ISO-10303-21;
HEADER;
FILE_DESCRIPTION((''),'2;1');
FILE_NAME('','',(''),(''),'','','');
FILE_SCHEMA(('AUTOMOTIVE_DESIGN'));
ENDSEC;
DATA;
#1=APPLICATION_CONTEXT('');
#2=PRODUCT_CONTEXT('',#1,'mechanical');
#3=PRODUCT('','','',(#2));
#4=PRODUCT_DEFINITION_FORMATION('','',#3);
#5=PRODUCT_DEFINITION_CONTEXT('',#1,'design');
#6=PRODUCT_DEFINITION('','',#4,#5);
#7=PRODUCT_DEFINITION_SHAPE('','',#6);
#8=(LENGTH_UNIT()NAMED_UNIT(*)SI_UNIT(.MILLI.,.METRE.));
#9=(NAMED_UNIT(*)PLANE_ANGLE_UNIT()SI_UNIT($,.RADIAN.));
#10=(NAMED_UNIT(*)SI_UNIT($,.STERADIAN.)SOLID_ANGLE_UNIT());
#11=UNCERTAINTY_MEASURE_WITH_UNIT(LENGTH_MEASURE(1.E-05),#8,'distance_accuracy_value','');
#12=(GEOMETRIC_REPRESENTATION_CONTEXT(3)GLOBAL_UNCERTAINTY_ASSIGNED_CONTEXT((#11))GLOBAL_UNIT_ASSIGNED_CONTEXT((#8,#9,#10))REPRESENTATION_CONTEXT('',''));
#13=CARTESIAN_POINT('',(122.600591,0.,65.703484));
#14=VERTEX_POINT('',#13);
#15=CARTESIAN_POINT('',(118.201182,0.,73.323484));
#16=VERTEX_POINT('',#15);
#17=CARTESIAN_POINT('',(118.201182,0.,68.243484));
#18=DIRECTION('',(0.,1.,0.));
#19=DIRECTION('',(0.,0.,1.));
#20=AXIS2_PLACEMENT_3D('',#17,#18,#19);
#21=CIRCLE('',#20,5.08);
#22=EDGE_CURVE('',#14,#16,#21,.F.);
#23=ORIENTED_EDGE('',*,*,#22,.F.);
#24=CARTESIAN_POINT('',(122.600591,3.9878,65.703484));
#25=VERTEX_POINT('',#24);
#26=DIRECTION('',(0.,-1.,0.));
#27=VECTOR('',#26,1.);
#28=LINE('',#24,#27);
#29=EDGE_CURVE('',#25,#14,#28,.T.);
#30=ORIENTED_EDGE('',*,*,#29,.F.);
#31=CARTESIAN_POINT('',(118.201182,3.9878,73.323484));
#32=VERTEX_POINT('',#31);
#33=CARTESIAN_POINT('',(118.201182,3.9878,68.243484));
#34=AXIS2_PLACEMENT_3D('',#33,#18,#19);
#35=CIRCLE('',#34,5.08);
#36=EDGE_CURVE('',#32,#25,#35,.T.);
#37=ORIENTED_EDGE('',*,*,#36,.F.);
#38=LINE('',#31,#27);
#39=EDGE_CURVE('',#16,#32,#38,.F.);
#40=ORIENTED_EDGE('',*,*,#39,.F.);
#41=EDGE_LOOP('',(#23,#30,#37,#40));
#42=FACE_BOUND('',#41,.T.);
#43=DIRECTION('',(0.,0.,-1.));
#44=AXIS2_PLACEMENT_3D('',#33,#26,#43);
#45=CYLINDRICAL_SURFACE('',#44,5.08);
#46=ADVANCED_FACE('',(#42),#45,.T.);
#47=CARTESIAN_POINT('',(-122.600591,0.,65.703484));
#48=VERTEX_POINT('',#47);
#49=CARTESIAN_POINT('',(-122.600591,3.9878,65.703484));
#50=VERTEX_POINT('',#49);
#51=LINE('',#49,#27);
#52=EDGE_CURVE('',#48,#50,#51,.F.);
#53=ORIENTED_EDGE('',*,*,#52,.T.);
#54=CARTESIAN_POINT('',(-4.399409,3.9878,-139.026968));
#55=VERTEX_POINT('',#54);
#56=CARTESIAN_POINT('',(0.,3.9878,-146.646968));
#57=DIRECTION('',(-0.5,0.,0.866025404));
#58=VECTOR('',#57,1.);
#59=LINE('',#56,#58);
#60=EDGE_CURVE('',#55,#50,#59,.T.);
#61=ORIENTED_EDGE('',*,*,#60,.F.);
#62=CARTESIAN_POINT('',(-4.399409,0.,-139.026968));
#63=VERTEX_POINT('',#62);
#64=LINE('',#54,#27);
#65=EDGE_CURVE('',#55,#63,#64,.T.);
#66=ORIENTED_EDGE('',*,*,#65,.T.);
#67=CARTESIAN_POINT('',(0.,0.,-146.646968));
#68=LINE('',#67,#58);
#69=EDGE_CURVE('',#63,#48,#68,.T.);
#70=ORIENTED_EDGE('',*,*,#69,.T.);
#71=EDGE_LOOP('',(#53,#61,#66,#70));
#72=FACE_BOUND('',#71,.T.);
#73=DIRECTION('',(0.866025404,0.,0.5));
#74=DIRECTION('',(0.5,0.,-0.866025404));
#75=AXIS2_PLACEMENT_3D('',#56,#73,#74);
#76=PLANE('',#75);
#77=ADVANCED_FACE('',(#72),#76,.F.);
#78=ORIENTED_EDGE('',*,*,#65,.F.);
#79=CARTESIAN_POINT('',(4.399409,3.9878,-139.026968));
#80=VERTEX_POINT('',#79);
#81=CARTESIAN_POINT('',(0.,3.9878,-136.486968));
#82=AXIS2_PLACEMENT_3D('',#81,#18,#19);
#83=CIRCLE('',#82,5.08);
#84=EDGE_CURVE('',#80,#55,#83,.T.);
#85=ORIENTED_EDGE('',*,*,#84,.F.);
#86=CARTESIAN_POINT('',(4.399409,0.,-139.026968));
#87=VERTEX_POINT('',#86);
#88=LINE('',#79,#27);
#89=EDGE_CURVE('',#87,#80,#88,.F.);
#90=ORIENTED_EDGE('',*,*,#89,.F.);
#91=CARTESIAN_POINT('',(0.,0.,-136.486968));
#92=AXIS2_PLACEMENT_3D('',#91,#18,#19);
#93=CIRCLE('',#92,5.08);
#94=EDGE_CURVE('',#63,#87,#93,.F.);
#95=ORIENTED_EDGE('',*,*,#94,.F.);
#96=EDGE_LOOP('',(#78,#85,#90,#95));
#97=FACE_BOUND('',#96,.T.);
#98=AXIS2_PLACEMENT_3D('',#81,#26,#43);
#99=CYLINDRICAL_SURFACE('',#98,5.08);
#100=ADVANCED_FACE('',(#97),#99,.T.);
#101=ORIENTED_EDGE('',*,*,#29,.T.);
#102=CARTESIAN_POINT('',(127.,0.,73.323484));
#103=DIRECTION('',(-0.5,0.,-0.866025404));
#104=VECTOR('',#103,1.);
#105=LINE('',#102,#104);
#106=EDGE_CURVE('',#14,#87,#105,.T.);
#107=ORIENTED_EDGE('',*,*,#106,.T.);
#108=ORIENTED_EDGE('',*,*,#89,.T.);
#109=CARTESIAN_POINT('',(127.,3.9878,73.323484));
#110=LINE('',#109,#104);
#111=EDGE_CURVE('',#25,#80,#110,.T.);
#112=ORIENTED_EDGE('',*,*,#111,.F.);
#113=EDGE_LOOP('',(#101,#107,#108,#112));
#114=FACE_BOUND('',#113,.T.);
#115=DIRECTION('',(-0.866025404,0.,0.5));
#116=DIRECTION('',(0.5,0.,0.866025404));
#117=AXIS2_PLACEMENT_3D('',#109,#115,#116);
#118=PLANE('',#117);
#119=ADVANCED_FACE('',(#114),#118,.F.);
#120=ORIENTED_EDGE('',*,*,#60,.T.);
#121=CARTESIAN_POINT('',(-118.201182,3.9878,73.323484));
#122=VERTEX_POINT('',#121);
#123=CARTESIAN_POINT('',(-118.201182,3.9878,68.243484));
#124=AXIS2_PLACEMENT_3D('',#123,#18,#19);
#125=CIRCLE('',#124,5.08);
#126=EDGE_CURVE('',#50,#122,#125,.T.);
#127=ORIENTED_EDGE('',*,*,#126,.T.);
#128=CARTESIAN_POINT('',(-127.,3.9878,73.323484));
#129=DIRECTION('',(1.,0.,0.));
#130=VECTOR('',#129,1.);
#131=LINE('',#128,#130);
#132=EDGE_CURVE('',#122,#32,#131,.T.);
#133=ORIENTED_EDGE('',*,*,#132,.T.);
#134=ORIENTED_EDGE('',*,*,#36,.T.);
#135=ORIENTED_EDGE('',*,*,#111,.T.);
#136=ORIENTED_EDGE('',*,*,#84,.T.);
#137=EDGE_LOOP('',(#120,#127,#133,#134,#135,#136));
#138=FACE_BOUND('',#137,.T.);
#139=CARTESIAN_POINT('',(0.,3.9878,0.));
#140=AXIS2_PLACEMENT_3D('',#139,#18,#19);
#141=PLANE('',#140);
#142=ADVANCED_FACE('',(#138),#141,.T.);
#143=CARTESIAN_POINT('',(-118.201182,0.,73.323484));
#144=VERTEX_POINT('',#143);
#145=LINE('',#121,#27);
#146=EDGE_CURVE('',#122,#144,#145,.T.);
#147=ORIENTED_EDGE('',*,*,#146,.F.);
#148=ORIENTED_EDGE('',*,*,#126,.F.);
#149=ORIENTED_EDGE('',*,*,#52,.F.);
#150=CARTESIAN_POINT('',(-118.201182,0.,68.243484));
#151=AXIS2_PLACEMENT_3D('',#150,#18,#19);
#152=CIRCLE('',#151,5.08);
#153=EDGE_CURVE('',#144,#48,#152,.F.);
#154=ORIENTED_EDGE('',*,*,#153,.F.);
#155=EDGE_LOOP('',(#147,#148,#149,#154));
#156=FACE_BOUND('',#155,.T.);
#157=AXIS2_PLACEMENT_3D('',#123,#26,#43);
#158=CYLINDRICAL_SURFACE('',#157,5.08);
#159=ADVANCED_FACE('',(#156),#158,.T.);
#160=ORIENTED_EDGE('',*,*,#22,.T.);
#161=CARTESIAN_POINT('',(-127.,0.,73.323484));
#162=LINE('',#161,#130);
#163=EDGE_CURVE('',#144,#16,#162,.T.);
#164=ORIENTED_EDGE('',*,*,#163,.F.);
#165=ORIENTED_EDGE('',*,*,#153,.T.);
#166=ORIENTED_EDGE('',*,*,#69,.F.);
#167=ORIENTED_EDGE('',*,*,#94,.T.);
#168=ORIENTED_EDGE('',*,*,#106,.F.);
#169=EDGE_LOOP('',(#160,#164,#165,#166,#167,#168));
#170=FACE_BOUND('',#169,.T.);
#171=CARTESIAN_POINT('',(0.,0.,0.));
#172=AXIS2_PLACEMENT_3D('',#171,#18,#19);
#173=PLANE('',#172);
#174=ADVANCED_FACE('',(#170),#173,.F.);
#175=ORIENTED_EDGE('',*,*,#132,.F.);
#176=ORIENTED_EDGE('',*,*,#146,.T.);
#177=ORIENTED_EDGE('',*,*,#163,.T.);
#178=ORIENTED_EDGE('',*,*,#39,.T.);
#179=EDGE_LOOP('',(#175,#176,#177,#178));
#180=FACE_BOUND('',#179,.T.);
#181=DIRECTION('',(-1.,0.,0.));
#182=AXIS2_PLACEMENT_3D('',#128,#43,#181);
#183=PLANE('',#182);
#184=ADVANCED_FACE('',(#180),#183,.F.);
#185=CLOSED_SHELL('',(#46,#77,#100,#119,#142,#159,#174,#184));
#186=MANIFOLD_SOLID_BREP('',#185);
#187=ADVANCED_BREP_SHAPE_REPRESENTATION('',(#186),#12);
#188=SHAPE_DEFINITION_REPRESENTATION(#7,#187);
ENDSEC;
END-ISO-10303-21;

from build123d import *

# Parameters (mm, degrees)
BOSS_EXTRUDE1_DEPTH = 3.9878
FILLET1_R           = 5.08


with BuildPart() as part:
    # Sketch1 → Boss-Extrude1 (new body)
    with BuildSketch(Plane(origin=(0, 0, 0), x_dir=(1, 0, 0), z_dir=(0, 1, 0))):
        Polygon((0, 146.646968374), (-127, -73.323484187), (127, -73.323484187), align=None)
    extrude(amount=BOSS_EXTRUDE1_DEPTH)

    # Fillet1
    fillet1_edges = [part.edges().sort_by_distance(p)[0] for p in [
        (127, 1.9939, 73.323484187),
        (-127, 1.9939, 73.323484187),
        (0, 1.9939, -146.646968374),
    ]]
    fillet(fillet1_edges, radius=FILLET1_R)


solid = part.part
